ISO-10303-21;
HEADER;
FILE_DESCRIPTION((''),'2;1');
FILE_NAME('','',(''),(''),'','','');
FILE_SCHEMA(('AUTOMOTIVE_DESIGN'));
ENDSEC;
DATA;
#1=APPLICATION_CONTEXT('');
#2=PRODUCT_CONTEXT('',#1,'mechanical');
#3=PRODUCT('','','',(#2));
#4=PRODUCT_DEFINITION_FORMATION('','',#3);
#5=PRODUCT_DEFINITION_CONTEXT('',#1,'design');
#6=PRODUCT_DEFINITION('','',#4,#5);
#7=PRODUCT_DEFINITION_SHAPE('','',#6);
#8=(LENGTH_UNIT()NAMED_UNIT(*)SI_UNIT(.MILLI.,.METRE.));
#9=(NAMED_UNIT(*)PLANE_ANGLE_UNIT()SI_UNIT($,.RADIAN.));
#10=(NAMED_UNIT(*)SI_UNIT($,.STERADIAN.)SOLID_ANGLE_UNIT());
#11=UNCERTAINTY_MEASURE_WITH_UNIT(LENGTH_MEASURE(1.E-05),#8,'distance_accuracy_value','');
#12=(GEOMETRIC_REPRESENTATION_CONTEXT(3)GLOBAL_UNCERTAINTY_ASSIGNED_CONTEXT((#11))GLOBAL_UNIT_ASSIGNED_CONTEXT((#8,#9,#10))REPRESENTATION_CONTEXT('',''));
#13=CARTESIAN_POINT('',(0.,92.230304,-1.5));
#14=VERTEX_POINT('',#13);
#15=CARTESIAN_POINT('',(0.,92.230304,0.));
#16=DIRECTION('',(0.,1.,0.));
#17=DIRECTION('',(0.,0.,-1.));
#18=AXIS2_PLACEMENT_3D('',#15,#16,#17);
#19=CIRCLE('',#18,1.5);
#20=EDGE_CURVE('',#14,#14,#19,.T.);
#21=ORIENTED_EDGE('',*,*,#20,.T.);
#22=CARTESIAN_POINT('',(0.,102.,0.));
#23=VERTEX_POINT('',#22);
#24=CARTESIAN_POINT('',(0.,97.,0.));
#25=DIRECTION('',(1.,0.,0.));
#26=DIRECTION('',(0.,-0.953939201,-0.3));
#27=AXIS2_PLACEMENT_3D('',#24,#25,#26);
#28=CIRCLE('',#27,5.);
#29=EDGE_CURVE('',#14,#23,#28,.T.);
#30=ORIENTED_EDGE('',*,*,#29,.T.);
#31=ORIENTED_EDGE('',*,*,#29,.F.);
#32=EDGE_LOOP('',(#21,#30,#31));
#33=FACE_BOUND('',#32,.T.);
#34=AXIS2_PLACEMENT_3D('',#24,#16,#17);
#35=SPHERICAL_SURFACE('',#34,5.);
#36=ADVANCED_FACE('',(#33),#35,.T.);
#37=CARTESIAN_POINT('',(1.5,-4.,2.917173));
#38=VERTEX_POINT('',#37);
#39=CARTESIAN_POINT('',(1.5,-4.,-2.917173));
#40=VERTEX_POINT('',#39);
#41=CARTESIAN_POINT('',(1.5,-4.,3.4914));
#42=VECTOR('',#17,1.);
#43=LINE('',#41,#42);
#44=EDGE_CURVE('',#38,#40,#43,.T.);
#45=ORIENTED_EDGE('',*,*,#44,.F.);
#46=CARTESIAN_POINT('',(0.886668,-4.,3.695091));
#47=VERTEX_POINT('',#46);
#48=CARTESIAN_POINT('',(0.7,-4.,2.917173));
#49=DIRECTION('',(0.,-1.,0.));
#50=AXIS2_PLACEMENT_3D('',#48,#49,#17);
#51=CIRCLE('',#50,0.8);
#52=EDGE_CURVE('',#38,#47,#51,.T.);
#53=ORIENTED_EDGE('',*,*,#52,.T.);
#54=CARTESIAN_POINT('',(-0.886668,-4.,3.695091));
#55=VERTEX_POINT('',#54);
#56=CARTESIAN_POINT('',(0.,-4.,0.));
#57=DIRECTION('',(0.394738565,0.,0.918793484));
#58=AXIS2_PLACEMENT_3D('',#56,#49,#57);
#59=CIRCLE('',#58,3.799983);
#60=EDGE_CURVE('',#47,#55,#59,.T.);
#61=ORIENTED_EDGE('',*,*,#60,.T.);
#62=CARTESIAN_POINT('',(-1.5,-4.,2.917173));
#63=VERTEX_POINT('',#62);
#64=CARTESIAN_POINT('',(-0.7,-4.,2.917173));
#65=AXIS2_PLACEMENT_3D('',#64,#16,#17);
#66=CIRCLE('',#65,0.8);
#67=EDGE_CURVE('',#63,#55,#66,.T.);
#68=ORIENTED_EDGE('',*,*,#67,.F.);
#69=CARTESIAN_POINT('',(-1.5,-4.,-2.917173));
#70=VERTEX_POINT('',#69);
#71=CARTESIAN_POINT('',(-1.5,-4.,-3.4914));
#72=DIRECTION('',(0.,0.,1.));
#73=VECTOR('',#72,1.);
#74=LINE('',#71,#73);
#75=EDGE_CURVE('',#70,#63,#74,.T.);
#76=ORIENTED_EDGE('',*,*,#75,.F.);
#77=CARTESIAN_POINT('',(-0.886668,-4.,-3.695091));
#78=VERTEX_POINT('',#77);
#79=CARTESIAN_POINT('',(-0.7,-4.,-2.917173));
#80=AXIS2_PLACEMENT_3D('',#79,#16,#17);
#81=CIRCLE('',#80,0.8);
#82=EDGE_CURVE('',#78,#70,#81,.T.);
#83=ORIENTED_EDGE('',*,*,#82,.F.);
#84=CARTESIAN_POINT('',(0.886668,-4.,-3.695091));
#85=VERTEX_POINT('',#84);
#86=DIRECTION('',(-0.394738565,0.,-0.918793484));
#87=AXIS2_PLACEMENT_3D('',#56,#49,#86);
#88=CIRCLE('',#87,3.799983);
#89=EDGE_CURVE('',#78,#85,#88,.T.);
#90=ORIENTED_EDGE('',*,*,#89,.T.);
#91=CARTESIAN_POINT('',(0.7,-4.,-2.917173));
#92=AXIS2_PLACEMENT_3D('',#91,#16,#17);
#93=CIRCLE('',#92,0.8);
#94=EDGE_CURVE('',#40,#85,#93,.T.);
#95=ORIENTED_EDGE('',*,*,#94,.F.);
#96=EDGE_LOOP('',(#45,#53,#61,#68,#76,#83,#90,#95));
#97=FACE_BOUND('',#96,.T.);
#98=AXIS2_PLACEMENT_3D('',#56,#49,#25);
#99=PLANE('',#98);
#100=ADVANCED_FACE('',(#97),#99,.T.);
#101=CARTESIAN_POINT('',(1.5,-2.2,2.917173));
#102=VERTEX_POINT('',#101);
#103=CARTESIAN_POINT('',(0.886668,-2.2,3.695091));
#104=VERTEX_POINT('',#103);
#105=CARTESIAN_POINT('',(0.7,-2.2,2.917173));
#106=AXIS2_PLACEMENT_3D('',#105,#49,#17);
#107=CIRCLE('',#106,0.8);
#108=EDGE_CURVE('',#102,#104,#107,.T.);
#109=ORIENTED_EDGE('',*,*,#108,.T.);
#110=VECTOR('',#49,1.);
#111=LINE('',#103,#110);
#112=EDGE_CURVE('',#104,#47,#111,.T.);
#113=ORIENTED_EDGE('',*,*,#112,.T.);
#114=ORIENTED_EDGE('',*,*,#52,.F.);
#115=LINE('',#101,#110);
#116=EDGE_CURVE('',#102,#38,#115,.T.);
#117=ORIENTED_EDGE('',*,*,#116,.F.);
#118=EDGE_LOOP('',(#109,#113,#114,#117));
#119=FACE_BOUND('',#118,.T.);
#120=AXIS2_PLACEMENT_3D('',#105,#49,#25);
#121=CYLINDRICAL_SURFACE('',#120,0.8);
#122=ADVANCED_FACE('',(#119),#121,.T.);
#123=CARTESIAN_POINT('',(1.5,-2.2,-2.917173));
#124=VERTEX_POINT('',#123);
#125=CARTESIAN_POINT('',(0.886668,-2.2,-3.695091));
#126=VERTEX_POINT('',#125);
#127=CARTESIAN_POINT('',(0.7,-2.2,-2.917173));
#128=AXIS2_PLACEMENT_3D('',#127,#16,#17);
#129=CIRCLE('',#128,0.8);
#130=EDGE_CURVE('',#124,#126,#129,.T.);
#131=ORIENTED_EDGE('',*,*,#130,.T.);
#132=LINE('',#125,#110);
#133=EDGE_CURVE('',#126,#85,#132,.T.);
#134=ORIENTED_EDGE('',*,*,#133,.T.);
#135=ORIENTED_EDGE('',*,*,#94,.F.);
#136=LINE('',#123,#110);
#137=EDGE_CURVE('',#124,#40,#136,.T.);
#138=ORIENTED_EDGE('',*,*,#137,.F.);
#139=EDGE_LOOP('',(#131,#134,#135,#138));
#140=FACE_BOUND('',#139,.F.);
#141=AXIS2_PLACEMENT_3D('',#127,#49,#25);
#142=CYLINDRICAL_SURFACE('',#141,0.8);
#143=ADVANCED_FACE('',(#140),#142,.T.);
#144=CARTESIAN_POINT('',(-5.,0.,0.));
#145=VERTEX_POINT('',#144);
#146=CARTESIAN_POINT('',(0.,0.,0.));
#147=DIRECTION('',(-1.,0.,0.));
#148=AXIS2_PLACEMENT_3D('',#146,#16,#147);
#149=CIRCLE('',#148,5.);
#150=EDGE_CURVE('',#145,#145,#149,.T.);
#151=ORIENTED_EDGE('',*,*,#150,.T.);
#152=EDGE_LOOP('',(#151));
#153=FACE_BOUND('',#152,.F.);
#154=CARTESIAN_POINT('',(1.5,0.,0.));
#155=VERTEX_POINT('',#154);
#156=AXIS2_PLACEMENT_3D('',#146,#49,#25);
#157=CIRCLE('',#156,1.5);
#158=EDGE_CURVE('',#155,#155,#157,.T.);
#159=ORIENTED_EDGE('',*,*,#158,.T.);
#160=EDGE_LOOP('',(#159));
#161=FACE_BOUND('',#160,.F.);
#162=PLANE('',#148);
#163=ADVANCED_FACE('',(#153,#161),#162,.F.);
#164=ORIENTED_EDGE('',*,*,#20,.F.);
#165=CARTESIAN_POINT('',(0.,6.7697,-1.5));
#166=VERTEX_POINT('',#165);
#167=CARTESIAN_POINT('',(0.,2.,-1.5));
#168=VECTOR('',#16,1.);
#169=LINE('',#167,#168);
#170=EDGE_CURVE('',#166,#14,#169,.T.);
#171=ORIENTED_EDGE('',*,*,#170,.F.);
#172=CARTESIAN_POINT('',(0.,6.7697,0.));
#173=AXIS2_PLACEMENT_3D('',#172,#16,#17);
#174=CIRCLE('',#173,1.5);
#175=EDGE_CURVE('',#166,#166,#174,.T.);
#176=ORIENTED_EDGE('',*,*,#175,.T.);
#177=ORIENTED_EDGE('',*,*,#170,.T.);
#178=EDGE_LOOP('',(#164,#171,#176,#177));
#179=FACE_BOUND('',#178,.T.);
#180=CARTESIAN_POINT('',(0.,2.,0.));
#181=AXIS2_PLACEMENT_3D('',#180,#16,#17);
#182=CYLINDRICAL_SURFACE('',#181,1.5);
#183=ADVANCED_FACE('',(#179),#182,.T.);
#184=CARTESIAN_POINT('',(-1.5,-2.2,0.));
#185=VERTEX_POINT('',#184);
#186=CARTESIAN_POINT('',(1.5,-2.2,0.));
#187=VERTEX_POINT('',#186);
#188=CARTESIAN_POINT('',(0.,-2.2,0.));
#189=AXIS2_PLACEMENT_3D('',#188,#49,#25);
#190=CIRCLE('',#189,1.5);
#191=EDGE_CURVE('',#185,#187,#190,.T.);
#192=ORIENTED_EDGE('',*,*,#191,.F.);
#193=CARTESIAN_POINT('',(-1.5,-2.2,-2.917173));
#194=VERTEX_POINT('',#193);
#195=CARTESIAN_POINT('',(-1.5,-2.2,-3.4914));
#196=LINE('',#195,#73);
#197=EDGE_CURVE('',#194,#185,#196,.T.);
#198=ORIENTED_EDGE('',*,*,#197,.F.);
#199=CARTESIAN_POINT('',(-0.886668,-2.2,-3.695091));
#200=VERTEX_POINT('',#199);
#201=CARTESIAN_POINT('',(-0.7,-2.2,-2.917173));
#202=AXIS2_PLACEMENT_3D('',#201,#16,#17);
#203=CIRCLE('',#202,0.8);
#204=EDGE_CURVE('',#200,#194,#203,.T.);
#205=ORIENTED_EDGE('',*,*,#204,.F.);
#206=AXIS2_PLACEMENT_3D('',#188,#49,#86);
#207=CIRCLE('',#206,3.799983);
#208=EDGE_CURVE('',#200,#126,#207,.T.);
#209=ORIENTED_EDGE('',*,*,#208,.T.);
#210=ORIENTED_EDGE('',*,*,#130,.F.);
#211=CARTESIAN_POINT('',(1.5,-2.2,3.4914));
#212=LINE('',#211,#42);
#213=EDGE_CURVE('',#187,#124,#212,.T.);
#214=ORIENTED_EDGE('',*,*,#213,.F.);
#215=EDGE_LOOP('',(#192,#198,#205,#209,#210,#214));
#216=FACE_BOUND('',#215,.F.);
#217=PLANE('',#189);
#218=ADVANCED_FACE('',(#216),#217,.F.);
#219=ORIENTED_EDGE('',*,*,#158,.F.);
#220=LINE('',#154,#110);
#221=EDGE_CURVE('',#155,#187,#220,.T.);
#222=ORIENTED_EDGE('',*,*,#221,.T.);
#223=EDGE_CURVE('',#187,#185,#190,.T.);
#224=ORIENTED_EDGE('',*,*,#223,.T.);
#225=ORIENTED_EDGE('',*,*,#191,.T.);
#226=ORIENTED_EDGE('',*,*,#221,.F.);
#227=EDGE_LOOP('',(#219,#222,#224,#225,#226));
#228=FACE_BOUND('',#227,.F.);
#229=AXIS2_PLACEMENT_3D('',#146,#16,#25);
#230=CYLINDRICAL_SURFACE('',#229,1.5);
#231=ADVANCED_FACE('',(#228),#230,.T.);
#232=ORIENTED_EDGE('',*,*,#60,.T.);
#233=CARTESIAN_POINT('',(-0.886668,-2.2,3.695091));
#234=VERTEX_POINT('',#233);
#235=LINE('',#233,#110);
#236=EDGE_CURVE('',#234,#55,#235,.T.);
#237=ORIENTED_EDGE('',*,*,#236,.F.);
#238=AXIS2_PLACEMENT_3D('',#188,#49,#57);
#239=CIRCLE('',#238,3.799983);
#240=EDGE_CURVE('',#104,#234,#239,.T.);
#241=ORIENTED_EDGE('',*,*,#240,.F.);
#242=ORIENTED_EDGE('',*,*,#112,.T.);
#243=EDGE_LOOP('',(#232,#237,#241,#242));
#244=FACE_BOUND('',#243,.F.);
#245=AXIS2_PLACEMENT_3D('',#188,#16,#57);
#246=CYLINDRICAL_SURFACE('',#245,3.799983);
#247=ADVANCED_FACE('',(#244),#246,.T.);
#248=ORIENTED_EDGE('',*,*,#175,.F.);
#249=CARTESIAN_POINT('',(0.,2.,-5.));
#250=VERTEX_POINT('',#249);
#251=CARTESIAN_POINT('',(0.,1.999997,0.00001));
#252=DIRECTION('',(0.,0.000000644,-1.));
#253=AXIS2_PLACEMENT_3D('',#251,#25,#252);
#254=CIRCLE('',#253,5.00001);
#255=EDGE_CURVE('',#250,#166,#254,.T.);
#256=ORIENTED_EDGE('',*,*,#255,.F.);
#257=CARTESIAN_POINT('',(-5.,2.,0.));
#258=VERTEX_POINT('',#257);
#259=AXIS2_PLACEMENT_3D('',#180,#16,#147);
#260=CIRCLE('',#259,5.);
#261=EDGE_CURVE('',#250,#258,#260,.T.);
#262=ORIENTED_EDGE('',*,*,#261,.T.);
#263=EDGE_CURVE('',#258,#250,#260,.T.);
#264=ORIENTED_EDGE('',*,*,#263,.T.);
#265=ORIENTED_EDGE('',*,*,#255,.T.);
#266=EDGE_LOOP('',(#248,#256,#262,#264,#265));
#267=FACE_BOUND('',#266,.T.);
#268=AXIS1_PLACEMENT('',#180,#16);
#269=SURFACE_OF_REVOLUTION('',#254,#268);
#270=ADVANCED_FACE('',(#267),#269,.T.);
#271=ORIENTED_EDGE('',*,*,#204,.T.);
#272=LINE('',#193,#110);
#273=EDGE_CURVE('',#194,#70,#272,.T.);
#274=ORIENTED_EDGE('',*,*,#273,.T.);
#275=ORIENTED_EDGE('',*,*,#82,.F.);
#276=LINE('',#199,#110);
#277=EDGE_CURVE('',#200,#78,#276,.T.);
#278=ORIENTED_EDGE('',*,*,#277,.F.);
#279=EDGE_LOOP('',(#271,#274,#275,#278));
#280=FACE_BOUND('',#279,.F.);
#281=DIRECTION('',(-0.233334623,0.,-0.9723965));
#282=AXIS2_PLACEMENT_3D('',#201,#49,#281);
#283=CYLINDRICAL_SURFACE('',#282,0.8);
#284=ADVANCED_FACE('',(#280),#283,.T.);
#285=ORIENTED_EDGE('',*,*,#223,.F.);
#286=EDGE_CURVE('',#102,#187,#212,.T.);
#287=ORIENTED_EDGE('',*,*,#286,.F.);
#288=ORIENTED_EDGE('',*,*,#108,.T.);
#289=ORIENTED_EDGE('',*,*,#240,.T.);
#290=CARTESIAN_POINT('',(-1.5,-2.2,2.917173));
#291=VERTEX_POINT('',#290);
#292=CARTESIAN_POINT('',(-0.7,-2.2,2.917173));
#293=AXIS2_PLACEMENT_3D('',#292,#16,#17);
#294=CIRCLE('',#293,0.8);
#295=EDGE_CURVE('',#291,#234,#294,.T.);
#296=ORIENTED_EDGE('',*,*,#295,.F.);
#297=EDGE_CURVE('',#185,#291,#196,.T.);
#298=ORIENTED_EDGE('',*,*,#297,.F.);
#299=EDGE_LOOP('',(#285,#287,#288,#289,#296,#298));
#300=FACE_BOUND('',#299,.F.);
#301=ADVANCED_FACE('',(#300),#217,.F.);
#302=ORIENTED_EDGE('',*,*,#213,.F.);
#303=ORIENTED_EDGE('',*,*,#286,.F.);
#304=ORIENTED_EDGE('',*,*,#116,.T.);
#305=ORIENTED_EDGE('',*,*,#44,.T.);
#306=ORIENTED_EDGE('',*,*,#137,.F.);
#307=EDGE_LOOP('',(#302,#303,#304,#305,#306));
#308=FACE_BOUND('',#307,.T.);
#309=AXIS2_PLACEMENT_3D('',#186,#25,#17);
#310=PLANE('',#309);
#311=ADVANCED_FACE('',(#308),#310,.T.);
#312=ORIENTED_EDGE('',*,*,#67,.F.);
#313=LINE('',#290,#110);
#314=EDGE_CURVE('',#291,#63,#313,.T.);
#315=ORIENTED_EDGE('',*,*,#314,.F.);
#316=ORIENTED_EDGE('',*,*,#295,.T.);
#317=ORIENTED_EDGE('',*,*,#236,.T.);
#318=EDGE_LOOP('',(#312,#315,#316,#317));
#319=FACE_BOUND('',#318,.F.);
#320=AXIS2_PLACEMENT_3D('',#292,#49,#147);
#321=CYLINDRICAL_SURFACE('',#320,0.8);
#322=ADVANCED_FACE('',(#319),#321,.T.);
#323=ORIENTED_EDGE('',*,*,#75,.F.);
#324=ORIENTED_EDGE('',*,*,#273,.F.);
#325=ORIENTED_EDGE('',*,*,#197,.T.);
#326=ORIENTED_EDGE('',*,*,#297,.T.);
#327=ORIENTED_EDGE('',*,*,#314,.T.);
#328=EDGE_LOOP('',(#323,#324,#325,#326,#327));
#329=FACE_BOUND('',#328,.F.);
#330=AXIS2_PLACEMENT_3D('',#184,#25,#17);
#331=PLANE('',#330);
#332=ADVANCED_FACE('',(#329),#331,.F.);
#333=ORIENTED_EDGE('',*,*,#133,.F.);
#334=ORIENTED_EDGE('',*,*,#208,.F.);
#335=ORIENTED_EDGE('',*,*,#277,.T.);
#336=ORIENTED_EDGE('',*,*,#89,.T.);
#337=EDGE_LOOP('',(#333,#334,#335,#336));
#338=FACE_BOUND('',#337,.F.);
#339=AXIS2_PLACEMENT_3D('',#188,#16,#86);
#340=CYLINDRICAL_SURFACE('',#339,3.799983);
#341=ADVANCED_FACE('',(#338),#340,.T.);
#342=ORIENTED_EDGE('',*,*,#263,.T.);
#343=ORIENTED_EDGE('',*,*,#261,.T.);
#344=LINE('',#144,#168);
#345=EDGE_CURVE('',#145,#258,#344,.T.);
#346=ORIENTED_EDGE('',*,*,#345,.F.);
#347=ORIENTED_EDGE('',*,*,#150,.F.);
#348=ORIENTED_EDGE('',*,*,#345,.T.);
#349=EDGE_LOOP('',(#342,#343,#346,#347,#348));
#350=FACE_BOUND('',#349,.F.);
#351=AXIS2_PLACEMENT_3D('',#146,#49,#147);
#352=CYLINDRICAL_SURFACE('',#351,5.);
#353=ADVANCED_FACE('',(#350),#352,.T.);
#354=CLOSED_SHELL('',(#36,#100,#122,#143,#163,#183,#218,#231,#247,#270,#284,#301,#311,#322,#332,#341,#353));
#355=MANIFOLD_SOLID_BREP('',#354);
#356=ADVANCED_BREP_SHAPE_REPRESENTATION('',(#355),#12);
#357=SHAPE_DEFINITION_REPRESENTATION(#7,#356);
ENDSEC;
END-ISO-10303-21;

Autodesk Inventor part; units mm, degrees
ref_plane "YZ Plane" through (0, 0, 0) normal (1, 0, 0) x (0, 1, 0)
ref_plane "XZ Plane" through (0, 0, 0) normal (0, 1, 0) x (-1, 0, 0)
ref_plane "XY Plane" through (0, 0, 0) normal (0, 0, 1) x (1, 0, 0)
sketch "Sketch1" plane through (0, 0, 0) normal (0, 1, 0) x (-1, 0, 0)
  circle A0 centre (0, 0) radius 5
  dimension "d0" = 10
extrude "Extrusion1" add sketch "Sketch1" along normal blind 2
sketch "Sketch2" plane through (0, 0, 0) normal (0, -1, 0) x (1, 0, 0)
  circle A0 centre (0, 0) radius 5 projected
  circle A1 centre (0, 0) radius 1.5
  dimension "d3" = 3
extrude "Extrusion2" add sketch "Sketch2" along normal blind 2.2 contours A1
sketch "Sketch3" plane through (0, -2.2, 0) normal (0, -1, 0) x (1, 0, 0)
  circle A0 centre (0, 0) radius 1.5 projected
  line L0 (-1.5, 3.4914) -> (-1.5, -3.4914)
  line L1 (1.5, 3.4914) -> (1.5, -3.4914)
  line L2 (0, 15.7328) -> (0, -15.032) construction
  circle A1 centre (0, 0) radius 5 construction
  arc A2 (-2, 4.5826) -> (-2, -4.5826) centre (0, 0) ccw construction
  arc A3 (2, -4.5826) -> (2, 4.5826) centre (0, 0) ccw construction
  arc A4 (1.5, 3.4914) -> (-1.5, 3.4914) centre (0, 0) ccw
  arc A5 (-1.5, -3.4914) -> (1.5, -3.4914) centre (0, 0) ccw
  dimension "d13" = 3.8
  dimension "d19" = 3.8
extrude "Extrusion3" add sketch "Sketch3" along normal blind 1.8
fillet "Fillet2" radius 0.8 4 edges at (-1.5, -3.1, 3.4914) (1.5, -3.1, 3.4914) (-1.5, -3.1, -3.4914) (1.5, -3.1, -3.4914)
ref_plane "Work Plane1" through (0, -2.2, 1.5) normal (1, 0, 0) x (0, 0, -1)
sketch "Sketch8" plane through (0, -2.2, 1.5) normal (1, 0, 0) x (0, 0, -1)
  line L0 (-2.3, -1.8) -> (27.7, -1.8) construction
  line L1 (-62.7924, 4.2) -> (54.2342, 4.2) construction
  line L2 (6.5, 2.2) -> (6.5, -147.8) construction
  arc A0 (6.5, 4.2) -> (3, 8.9697) centre (1.5, 4.2) ccw
  line L3 (-2.3, -1.8) -> (-1.9914, -1.8) projected
  line L4 (3, 8.9697) -> (3, 4.2)
  line L5 (3, 4.2) -> (6.5, 4.2)
  line L6 (-3.5, 2.2) -> (6.5, 2.2) projected
  line L7 (1.5, 2.2) -> (11.5, 2.2) construction
  line L8 (1.5, 4.2) -> (3, 4.2)
  line L9 (3, 4.2) -> (3, 103.9697)
  line L10 (1.5, 104.2) -> (1.5, 4.2)
  line L11 (1.5, 2.2) -> (1.5, 201.2325) construction
  arc A1 (1.5, 94.2) -> (1.5, 104.2) centre (1.5, 99.2) ccw
  line L12 (1.5, 104.2) -> (1.5, 94.2) construction
  line L13 (3, 103.9697) -> (1.5, 104.2)
  line L14 (1.5, 104.2) -> (1.5, 94.2)
  line L15 (1.5, -218.6065) -> (1.5, 270.0391) projected
  point P0 (37.0288, 0)
  point P1 (-2.1951, -1.8)
  dimension "d54" = 30
  dimension "d58" = 6
  dimension "d61" = 150
  dimension "d64" = 0
  dimension "d65" = 1.5
  dimension "d66" = 100
  dimension "d68" = 5
  dimension "d70" = 5
revolve "Revolution4" add sketch "Sketch8" angle 360 about axis through (0, 2, 0) along (0, 1, 0)
equation "\"d0\" = HeadConnectorOuterSize"
equation "\"d1\" = EarConnectorHeight"
equation "\"d3\" = HeadConnectorWidth - HeadConnectorTolerance"
equation "\"d4\" = HeadConnectorOuterHeight + HeadConnectorTolerance"
equation "\"d13\" = 0.5 * HeadConnectorDiam - HeadConnectorTolerance"
equation "\"d19\" = 0.5 * HeadConnectorDiam - HeadConnectorTolerance"
equation "\"d10\" = HeadConnectorHeight - HeadConnectorTolerance"
equation "\"d20\" = 2 * HeadConnectorProportion"
equation "\"d58\" = HeadConnectorOuterHeight + HeadConnectorHeight + EarConnectorHeight"
equation "\"d65\" = 0.5 * EarWidth"
equation "\"d66\" = EarHeight"
equation "\"d68\" = 0.5 * HeadConnectorOuterSize"
equation "\"d70\" = 0.5 * EarBallSize"
equation "\"EarHeight\" = 100"
equation "\"EarWidth\" = 3"
equation "\"HeadConnectorOuterSize\" = 10"
equation "\"EarConnectorHeight\" = 2"
equation "\"HeadConnectorWidth\" = 3.2"
equation "\"HeadConnectorTolerance\" = 0.2"
equation "\"HeadConnectorOuterHeight\" = 2"
equation "\"HeadConnectorDiam\" = 8"
equation "\"HeadConnectorHeight\" = 2"
equation "\"HeadConnectorProportion\" = 0.4"
equation "\"EarBallSize\" = 10"
properties part number "EarShapeET"
